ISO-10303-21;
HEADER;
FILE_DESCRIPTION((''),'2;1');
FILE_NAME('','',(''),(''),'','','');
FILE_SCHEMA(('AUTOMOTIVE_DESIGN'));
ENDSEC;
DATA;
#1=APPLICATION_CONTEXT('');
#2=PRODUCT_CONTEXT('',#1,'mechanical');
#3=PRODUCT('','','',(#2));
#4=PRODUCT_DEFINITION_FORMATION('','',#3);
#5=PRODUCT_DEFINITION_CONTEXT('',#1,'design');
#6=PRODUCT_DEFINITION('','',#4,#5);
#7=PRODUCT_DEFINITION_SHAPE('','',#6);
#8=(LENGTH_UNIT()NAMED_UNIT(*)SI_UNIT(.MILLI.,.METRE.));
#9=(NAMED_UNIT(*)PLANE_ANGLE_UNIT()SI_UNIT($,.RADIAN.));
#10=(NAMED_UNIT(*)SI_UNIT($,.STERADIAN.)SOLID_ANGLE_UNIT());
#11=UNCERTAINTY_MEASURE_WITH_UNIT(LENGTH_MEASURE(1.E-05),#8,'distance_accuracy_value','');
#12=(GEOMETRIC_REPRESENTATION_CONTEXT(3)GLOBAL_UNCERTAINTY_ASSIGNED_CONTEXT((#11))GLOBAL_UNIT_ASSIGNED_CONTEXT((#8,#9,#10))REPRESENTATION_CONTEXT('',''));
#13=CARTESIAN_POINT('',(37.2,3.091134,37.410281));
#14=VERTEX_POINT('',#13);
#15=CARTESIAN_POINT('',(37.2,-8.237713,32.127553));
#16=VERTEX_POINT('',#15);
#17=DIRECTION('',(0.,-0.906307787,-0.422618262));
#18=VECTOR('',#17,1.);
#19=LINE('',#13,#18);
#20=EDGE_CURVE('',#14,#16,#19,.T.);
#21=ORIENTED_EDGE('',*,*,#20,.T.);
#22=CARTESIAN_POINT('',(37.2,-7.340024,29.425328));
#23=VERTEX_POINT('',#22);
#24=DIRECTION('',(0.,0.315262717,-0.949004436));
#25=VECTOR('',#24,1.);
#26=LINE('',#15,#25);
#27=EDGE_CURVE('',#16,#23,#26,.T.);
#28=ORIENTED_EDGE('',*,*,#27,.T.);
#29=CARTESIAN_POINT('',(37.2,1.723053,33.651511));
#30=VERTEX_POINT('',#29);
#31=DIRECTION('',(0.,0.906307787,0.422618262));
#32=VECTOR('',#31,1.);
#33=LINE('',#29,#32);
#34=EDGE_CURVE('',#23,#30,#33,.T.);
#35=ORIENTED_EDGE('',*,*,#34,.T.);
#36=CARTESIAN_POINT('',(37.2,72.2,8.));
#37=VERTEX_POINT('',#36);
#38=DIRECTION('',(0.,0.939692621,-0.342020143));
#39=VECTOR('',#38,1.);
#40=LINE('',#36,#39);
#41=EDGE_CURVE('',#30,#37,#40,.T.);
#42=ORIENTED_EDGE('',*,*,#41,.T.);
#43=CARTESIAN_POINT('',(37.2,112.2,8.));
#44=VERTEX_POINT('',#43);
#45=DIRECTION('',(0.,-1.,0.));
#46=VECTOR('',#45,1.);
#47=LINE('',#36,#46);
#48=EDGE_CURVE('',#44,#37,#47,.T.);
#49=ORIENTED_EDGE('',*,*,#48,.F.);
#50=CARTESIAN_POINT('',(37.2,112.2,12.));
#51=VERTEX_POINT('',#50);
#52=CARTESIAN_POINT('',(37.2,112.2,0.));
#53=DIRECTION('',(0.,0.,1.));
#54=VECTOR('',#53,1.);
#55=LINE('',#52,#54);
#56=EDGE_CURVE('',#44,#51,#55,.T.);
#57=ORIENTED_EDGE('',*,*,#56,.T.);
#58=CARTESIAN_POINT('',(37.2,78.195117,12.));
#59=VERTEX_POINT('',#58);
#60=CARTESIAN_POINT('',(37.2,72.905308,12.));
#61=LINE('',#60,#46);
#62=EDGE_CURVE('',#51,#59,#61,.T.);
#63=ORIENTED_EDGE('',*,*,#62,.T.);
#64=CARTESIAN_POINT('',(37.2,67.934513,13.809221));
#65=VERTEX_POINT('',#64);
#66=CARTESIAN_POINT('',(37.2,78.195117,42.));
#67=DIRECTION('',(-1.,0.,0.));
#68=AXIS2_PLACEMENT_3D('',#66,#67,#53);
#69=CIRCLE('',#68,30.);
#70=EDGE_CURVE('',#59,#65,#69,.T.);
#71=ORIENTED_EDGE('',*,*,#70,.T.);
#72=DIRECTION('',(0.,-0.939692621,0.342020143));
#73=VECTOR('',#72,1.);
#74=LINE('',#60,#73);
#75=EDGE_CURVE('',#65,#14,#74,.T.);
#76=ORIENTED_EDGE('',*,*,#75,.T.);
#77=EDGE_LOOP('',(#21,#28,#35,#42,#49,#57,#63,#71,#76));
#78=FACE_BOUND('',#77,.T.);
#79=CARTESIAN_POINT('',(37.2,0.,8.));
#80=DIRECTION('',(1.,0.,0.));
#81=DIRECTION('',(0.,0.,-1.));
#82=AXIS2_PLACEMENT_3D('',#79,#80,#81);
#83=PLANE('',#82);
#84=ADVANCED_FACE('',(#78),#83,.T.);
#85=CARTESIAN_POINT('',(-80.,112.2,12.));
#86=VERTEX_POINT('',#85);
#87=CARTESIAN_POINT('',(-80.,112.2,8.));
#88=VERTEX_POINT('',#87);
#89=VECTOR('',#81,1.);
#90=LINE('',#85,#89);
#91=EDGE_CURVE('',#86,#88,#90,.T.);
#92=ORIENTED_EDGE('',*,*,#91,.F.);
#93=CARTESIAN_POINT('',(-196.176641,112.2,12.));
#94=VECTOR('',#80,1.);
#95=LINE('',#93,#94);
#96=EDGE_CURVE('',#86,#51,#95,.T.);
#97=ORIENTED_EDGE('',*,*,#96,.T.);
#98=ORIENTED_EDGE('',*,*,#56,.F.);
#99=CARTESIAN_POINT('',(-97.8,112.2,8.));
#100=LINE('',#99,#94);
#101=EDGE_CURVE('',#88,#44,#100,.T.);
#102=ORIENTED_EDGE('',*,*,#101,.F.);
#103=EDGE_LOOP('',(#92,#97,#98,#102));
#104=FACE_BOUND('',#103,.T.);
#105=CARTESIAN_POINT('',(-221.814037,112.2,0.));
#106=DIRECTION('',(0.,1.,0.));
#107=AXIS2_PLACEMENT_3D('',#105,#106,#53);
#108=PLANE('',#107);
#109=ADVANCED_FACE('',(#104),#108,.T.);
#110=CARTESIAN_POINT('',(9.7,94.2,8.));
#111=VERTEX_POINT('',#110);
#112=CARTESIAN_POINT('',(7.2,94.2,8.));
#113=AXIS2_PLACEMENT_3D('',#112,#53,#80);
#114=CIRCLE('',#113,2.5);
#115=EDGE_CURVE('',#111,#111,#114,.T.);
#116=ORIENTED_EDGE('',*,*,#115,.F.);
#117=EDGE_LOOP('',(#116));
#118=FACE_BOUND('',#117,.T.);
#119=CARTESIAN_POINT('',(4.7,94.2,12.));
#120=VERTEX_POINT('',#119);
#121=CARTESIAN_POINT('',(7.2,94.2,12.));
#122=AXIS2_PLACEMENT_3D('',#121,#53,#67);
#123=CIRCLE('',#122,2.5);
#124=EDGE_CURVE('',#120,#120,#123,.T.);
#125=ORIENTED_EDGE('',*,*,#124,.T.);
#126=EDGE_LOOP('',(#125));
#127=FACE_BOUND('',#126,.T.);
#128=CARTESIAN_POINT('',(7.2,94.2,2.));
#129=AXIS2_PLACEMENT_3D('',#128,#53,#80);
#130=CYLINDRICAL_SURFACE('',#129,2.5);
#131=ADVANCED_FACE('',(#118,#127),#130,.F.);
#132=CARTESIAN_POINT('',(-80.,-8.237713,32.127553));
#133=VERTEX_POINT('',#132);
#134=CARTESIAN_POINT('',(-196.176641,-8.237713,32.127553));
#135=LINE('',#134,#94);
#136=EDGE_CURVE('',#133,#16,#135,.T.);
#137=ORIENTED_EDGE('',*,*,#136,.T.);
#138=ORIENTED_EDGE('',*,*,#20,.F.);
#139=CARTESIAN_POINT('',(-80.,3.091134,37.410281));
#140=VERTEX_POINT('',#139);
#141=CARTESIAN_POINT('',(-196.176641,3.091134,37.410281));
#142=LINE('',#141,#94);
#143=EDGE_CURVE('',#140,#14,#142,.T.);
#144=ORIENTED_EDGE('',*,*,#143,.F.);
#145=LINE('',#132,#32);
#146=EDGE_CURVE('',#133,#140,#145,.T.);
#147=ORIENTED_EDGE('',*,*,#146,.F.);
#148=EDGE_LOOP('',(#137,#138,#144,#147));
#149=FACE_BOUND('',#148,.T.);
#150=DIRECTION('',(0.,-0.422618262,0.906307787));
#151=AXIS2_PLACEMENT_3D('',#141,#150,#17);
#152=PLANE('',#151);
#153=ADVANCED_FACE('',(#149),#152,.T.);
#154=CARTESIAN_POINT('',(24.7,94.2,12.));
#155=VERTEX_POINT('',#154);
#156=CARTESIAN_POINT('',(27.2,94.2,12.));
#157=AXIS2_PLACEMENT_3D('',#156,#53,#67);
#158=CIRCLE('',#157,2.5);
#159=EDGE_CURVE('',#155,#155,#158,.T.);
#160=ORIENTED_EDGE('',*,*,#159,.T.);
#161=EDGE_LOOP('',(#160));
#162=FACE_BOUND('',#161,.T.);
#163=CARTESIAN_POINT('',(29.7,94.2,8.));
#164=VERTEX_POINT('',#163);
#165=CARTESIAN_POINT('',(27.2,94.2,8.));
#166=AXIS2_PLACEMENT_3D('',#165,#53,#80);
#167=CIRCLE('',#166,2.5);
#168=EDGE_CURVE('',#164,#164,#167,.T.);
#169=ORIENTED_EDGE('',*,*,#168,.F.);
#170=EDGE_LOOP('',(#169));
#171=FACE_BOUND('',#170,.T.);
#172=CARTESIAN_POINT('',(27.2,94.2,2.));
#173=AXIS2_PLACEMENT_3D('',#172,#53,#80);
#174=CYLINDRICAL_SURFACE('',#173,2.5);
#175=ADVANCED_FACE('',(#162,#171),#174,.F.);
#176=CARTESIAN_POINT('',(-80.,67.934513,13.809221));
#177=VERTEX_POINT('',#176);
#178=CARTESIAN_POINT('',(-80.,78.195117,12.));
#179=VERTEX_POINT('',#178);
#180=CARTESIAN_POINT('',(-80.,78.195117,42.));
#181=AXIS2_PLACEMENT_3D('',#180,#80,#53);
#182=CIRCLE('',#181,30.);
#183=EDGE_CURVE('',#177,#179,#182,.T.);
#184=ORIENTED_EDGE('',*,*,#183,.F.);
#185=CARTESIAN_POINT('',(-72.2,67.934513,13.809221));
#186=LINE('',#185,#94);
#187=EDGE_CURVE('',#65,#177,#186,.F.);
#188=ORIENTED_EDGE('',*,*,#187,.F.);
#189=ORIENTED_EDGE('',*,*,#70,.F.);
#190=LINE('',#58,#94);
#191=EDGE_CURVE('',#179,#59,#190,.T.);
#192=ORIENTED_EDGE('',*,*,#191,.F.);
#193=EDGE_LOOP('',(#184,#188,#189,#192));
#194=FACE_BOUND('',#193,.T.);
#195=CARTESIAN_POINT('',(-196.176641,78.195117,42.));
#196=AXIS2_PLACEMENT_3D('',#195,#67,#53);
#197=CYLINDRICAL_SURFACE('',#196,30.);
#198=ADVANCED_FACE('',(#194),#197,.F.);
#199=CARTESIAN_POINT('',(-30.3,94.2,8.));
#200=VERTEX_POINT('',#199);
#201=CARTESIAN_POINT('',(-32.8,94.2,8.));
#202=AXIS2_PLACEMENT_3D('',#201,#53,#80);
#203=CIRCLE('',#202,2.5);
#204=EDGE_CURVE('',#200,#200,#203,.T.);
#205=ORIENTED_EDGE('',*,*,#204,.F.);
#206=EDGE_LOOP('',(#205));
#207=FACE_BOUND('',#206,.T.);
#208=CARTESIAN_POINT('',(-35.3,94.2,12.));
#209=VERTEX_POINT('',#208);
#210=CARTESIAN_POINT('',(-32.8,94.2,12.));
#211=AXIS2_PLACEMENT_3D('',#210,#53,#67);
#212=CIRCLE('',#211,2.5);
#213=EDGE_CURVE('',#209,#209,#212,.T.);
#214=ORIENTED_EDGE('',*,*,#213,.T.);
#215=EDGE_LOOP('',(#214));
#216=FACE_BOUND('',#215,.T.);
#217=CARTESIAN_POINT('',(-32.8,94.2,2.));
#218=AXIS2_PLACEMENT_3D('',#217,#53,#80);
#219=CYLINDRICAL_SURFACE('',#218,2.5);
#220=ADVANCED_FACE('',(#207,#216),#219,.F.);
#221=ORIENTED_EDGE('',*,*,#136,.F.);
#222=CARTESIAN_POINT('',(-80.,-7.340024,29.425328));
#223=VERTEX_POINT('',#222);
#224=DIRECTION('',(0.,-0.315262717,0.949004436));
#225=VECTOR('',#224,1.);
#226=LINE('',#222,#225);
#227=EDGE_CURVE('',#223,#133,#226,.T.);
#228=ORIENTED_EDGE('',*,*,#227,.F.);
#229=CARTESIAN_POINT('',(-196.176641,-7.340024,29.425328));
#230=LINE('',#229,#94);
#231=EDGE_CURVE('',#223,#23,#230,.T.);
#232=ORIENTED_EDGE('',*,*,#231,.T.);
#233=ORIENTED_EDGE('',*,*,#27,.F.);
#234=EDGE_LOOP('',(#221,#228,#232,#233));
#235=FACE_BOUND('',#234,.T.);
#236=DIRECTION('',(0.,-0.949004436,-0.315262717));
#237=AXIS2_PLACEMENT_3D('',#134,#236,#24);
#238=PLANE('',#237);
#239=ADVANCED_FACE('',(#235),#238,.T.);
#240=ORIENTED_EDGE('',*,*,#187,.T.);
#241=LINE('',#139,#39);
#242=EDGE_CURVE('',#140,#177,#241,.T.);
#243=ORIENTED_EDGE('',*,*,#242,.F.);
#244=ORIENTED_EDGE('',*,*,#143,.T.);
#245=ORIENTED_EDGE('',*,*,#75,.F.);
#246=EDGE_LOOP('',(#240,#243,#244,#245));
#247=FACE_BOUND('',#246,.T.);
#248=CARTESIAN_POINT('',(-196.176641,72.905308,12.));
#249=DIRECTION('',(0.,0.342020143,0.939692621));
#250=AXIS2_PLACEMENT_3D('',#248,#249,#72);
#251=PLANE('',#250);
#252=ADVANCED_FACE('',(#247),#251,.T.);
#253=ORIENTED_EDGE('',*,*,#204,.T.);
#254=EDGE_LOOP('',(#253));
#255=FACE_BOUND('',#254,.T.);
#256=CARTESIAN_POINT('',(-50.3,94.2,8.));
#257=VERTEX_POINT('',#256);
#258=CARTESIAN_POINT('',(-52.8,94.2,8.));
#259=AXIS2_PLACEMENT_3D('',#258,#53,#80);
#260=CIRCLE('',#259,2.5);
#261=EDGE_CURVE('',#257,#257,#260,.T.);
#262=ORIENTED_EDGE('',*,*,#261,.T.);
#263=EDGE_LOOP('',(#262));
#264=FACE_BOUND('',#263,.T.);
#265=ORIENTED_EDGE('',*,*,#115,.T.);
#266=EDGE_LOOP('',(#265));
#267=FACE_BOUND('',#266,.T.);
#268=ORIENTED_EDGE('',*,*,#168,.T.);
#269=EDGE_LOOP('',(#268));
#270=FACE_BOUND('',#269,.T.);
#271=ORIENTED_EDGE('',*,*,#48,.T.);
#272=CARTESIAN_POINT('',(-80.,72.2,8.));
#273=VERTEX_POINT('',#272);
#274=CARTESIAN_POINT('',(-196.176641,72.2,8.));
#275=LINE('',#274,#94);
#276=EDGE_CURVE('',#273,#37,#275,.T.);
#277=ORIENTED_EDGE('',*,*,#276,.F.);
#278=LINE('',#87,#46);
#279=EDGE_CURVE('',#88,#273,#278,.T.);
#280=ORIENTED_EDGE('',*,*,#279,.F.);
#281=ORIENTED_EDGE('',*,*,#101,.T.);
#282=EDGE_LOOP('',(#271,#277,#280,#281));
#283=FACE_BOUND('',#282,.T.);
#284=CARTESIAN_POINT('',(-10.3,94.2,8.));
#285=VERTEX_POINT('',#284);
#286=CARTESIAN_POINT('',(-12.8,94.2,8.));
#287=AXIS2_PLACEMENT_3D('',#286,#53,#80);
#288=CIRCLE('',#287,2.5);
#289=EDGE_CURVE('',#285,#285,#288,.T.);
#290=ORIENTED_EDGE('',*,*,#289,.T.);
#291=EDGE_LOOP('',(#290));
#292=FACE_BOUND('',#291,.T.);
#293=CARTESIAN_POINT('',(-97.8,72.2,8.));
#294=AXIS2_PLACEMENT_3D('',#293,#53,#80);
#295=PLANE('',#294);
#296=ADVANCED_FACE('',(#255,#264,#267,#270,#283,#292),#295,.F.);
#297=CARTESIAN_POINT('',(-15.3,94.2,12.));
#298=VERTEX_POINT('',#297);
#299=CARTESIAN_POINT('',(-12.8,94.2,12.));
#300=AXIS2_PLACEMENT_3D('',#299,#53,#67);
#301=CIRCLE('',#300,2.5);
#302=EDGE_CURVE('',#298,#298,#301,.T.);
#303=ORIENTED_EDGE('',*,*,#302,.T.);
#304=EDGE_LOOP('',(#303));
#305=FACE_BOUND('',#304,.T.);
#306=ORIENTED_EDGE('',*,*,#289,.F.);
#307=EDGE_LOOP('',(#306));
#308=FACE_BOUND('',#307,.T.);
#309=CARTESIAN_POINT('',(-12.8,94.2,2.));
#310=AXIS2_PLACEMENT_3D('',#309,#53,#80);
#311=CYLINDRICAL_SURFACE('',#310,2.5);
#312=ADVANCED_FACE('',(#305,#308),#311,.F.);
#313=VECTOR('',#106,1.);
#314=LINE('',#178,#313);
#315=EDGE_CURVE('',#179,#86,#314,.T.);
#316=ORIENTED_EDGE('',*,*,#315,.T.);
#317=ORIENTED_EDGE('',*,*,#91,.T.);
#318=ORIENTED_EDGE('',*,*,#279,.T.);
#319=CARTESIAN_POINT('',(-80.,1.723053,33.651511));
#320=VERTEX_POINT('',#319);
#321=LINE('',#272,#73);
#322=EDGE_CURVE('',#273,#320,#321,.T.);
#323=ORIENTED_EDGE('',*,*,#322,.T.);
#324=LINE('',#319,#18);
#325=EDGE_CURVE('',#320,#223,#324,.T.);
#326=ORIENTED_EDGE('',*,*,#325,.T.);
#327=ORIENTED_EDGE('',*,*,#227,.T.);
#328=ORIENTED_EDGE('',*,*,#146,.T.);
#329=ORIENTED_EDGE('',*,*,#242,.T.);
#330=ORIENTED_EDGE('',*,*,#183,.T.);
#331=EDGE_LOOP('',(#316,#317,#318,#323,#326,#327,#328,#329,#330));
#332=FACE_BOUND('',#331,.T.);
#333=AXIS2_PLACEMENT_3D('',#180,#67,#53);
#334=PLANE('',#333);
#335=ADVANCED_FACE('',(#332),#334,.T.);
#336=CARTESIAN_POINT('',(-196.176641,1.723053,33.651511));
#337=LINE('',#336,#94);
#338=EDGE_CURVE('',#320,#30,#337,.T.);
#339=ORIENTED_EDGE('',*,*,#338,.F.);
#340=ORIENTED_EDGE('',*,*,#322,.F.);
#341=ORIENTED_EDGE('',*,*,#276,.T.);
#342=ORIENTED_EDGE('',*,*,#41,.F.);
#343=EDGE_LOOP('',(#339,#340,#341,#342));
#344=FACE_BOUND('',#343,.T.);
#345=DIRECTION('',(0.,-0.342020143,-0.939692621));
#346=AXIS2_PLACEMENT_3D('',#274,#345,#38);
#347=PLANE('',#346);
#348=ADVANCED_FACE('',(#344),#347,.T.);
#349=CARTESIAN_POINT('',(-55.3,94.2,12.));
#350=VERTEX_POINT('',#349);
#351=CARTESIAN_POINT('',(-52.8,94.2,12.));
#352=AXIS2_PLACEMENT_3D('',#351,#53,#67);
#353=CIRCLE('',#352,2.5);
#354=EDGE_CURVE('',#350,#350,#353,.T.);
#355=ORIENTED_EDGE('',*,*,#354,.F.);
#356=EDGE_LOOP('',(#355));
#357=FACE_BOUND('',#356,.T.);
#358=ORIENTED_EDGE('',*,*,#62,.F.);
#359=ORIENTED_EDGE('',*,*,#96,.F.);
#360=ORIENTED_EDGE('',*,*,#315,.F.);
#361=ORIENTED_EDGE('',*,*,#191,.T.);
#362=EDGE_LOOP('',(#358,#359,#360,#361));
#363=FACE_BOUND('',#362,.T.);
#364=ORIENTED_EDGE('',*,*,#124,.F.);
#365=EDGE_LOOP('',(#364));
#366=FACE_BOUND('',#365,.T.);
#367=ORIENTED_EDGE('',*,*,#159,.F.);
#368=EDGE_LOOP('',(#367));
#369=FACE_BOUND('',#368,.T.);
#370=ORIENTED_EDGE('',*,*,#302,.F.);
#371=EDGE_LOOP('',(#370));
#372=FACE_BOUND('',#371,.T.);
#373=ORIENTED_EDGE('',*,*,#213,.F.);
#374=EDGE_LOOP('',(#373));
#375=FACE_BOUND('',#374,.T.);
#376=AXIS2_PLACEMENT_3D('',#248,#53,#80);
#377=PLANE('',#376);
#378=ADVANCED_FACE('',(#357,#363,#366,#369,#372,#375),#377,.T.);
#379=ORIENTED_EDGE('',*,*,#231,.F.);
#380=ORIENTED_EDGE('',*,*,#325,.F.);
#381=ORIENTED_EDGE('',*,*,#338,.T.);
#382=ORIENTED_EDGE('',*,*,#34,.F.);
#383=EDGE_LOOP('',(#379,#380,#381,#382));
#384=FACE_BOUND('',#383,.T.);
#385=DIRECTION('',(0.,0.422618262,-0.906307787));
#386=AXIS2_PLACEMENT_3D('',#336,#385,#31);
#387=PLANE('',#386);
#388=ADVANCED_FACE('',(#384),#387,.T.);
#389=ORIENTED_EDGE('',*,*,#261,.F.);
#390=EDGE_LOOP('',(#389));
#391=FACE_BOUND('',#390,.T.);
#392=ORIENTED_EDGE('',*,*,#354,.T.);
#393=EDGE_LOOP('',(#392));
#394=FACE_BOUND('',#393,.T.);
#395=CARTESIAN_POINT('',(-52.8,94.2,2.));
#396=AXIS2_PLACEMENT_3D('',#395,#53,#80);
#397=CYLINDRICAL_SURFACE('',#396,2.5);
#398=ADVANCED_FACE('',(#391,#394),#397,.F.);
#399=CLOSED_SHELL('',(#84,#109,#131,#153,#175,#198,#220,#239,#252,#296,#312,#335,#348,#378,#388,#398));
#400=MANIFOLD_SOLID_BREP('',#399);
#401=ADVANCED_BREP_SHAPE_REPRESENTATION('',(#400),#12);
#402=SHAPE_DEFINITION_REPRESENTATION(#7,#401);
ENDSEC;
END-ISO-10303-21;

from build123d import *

# Parameters (mm, degrees)
SKETCH1_W           = 109.4
SKETCH1_H           = 109.4
SKETCH1_W_2         = 79.4
SKETCH1_H_2         = 79.4
SKETCH1_R           = 6
SKETCH1_R_2         = 1.5
BOSS_EXTRUDE1_DEPTH = 8
BOSS_EXTRUDE2_DEPTH = 109.4
FILLET1_R           = 30
SKETCH5_W           = 8
SKETCH5_H           = 149.4
BOSS_EXTRUDE3_DEPTH = 109.4
SKETCH3_W           = 8
SKETCH3_H           = 109.4
CUT_EXTRUDE4_DEPTH  = 135
SKETCH7_W           = 8
SKETCH7_H           = 40
CUT_EXTRUDE5_DEPTH  = 135
SKETCH4_R           = 2.5
CUT_EXTRUDE6_DEPTH  = 10
BOSS_EXTRUDE4_START = 7.8
BOSS_EXTRUDE4_DEPTH = 7.8


with BuildPart() as part:
    # Sketch1 → Boss-Extrude1 (new body)
    # profile 1 of 2: a face of its own
    with BuildSketch(Plane.XY):
        with Locations((-17.5, 17.5)):
            Rectangle(SKETCH1_W, SKETCH1_H)
        with Locations((-17.5, 17.5)):
            Rectangle(SKETCH1_W_2, SKETCH1_H_2, mode=Mode.SUBTRACT)
    # profile 2 of 2: a face of its own
    with BuildSketch(Plane.XY):
        with Locations((-17.5, 17.5)):
            Rectangle(SKETCH1_W_2, SKETCH1_H_2)
        with Locations((-35, 0)):
            Circle(SKETCH1_R, mode=Mode.SUBTRACT)
        Circle(SKETCH1_R, mode=Mode.SUBTRACT)
        with Locations((0, 35)):
            Circle(SKETCH1_R, mode=Mode.SUBTRACT)
        with Locations((-35, 35)):
            Circle(SKETCH1_R, mode=Mode.SUBTRACT)
        with Locations((-52.809903828, -17.809903828)):
            Circle(SKETCH1_R_2, mode=Mode.SUBTRACT)
        with Locations((-17.5, -17.5)):
            Circle(SKETCH1_R_2, mode=Mode.SUBTRACT)
        with Locations((17.5, -17.5)):
            Circle(SKETCH1_R_2, mode=Mode.SUBTRACT)
        with Locations((17.5, 17.5)):
            Circle(SKETCH1_R_2, mode=Mode.SUBTRACT)
        with Locations((-17.5, 17.5)):
            Circle(SKETCH1_R_2, mode=Mode.SUBTRACT)
        with Locations((-52.5, 17.5)):
            Circle(SKETCH1_R_2, mode=Mode.SUBTRACT)
        with Locations((17.5, 52.5)):
            Circle(SKETCH1_R_2, mode=Mode.SUBTRACT)
        with Locations((-17.5, 52.5)):
            Circle(SKETCH1_R_2, mode=Mode.SUBTRACT)
        with Locations((-52.5, 52.5)):
            Circle(SKETCH1_R_2, mode=Mode.SUBTRACT)
    extrude(amount=BOSS_EXTRUDE1_DEPTH)



with BuildPart() as body_2:
    # Sketch2 → Boss-Extrude2 (new body)
    with BuildSketch(Plane(origin=(37.2, 0, 0), x_dir=(0, 0, -1), z_dir=(1, 0, 0))):
        Polygon((-8, 72.2), (-33.651510749, 1.723053441), (-29.425328132, -7.340024429), (-32.127552961, -8.237713324), (-37.410281233, 3.091134014), (-12, 72.905307923), (-12, 112.2), (-8, 112.2), align=None)
    extrude(amount=-BOSS_EXTRUDE2_DEPTH)

    # Fillet1
    fillet1_edges = [body_2.edges().sort_by_distance(p)[0] for p in [
        (-17.5, 72.905307923, 12),
    ]]
    fillet(fillet1_edges, radius=FILLET1_R)


with BuildPart() as part_1:
    add(part.part)

    add(body_2.part)  # Boss-Extrude3 merges body 2
    # Sketch5 → Boss-Extrude3 (add)
    with BuildSketch(Plane(origin=(37.2, 0, 0), x_dir=(0, 0, -1), z_dir=(1, 0, 0))):
        with Locations((-4, 37.5)):
            Rectangle(SKETCH5_W, SKETCH5_H)
    extrude(amount=-BOSS_EXTRUDE3_DEPTH)

    # Sketch3 → Cut-Extrude4 (cut)
    with BuildSketch(Plane(origin=(37.2, 0, 0), x_dir=(0, 0, -1), z_dir=(1, 0, 0))):
        with Locations((-4, 17.5)):
            Rectangle(SKETCH3_W, SKETCH3_H)
    extrude(amount=-CUT_EXTRUDE4_DEPTH, mode=Mode.SUBTRACT)

    # Sketch7 → Cut-Extrude5 (cut)
    with BuildSketch(Plane(origin=(37.2, 0, 0), x_dir=(0, 0, -1), z_dir=(1, 0, 0))):
        with Locations((-4, 92.2)):
            Rectangle(SKETCH7_W, SKETCH7_H)
    extrude(amount=-CUT_EXTRUDE5_DEPTH, mode=Mode.SUBTRACT)

    # Sketch4 → Cut-Extrude6 (cut)
    with BuildSketch(Plane.XY.offset(12)):
        with Locations((-52.8, 94.2)):
            Circle(SKETCH4_R)
        with Locations((-32.8, 94.2)):
            Circle(SKETCH4_R)
        with Locations((-12.8, 94.2)):
            Circle(SKETCH4_R)
        with Locations((7.2, 94.2)):
            Circle(SKETCH4_R)
        with Locations((27.2, 94.2)):
            Circle(SKETCH4_R)
    extrude(amount=-CUT_EXTRUDE6_DEPTH, mode=Mode.SUBTRACT)

    # Sketch8 → Boss-Extrude4 (add)
    with BuildSketch(Plane.ZY.offset(72.2).offset(BOSS_EXTRUDE4_START)):
        with BuildLine():
            Line((12, 112.2), (8, 112.2))
            Line((8, 112.2), (8, 72.2))
            Line((8, 72.2), (33.651510749, 1.723053441))
            Line((33.651510749, 1.723053441), (29.425328132, -7.340024429))
            Line((29.425328132, -7.340024429), (32.127552961, -8.237713324))
            Line((32.127552961, -8.237713324), (37.410281233, 3.091134014))
            Line((37.410281233, 3.091134014), (13.809221376, 67.934513044))
            ThreePointArc((13.809221376, 67.934513044), (12.45576741, 72.985672014), (12, 78.195117344))
            Line((12, 78.195117344), (12, 112.2))
        make_face()
    extrude(amount=-BOSS_EXTRUDE4_DEPTH)


solid = part_1.part
